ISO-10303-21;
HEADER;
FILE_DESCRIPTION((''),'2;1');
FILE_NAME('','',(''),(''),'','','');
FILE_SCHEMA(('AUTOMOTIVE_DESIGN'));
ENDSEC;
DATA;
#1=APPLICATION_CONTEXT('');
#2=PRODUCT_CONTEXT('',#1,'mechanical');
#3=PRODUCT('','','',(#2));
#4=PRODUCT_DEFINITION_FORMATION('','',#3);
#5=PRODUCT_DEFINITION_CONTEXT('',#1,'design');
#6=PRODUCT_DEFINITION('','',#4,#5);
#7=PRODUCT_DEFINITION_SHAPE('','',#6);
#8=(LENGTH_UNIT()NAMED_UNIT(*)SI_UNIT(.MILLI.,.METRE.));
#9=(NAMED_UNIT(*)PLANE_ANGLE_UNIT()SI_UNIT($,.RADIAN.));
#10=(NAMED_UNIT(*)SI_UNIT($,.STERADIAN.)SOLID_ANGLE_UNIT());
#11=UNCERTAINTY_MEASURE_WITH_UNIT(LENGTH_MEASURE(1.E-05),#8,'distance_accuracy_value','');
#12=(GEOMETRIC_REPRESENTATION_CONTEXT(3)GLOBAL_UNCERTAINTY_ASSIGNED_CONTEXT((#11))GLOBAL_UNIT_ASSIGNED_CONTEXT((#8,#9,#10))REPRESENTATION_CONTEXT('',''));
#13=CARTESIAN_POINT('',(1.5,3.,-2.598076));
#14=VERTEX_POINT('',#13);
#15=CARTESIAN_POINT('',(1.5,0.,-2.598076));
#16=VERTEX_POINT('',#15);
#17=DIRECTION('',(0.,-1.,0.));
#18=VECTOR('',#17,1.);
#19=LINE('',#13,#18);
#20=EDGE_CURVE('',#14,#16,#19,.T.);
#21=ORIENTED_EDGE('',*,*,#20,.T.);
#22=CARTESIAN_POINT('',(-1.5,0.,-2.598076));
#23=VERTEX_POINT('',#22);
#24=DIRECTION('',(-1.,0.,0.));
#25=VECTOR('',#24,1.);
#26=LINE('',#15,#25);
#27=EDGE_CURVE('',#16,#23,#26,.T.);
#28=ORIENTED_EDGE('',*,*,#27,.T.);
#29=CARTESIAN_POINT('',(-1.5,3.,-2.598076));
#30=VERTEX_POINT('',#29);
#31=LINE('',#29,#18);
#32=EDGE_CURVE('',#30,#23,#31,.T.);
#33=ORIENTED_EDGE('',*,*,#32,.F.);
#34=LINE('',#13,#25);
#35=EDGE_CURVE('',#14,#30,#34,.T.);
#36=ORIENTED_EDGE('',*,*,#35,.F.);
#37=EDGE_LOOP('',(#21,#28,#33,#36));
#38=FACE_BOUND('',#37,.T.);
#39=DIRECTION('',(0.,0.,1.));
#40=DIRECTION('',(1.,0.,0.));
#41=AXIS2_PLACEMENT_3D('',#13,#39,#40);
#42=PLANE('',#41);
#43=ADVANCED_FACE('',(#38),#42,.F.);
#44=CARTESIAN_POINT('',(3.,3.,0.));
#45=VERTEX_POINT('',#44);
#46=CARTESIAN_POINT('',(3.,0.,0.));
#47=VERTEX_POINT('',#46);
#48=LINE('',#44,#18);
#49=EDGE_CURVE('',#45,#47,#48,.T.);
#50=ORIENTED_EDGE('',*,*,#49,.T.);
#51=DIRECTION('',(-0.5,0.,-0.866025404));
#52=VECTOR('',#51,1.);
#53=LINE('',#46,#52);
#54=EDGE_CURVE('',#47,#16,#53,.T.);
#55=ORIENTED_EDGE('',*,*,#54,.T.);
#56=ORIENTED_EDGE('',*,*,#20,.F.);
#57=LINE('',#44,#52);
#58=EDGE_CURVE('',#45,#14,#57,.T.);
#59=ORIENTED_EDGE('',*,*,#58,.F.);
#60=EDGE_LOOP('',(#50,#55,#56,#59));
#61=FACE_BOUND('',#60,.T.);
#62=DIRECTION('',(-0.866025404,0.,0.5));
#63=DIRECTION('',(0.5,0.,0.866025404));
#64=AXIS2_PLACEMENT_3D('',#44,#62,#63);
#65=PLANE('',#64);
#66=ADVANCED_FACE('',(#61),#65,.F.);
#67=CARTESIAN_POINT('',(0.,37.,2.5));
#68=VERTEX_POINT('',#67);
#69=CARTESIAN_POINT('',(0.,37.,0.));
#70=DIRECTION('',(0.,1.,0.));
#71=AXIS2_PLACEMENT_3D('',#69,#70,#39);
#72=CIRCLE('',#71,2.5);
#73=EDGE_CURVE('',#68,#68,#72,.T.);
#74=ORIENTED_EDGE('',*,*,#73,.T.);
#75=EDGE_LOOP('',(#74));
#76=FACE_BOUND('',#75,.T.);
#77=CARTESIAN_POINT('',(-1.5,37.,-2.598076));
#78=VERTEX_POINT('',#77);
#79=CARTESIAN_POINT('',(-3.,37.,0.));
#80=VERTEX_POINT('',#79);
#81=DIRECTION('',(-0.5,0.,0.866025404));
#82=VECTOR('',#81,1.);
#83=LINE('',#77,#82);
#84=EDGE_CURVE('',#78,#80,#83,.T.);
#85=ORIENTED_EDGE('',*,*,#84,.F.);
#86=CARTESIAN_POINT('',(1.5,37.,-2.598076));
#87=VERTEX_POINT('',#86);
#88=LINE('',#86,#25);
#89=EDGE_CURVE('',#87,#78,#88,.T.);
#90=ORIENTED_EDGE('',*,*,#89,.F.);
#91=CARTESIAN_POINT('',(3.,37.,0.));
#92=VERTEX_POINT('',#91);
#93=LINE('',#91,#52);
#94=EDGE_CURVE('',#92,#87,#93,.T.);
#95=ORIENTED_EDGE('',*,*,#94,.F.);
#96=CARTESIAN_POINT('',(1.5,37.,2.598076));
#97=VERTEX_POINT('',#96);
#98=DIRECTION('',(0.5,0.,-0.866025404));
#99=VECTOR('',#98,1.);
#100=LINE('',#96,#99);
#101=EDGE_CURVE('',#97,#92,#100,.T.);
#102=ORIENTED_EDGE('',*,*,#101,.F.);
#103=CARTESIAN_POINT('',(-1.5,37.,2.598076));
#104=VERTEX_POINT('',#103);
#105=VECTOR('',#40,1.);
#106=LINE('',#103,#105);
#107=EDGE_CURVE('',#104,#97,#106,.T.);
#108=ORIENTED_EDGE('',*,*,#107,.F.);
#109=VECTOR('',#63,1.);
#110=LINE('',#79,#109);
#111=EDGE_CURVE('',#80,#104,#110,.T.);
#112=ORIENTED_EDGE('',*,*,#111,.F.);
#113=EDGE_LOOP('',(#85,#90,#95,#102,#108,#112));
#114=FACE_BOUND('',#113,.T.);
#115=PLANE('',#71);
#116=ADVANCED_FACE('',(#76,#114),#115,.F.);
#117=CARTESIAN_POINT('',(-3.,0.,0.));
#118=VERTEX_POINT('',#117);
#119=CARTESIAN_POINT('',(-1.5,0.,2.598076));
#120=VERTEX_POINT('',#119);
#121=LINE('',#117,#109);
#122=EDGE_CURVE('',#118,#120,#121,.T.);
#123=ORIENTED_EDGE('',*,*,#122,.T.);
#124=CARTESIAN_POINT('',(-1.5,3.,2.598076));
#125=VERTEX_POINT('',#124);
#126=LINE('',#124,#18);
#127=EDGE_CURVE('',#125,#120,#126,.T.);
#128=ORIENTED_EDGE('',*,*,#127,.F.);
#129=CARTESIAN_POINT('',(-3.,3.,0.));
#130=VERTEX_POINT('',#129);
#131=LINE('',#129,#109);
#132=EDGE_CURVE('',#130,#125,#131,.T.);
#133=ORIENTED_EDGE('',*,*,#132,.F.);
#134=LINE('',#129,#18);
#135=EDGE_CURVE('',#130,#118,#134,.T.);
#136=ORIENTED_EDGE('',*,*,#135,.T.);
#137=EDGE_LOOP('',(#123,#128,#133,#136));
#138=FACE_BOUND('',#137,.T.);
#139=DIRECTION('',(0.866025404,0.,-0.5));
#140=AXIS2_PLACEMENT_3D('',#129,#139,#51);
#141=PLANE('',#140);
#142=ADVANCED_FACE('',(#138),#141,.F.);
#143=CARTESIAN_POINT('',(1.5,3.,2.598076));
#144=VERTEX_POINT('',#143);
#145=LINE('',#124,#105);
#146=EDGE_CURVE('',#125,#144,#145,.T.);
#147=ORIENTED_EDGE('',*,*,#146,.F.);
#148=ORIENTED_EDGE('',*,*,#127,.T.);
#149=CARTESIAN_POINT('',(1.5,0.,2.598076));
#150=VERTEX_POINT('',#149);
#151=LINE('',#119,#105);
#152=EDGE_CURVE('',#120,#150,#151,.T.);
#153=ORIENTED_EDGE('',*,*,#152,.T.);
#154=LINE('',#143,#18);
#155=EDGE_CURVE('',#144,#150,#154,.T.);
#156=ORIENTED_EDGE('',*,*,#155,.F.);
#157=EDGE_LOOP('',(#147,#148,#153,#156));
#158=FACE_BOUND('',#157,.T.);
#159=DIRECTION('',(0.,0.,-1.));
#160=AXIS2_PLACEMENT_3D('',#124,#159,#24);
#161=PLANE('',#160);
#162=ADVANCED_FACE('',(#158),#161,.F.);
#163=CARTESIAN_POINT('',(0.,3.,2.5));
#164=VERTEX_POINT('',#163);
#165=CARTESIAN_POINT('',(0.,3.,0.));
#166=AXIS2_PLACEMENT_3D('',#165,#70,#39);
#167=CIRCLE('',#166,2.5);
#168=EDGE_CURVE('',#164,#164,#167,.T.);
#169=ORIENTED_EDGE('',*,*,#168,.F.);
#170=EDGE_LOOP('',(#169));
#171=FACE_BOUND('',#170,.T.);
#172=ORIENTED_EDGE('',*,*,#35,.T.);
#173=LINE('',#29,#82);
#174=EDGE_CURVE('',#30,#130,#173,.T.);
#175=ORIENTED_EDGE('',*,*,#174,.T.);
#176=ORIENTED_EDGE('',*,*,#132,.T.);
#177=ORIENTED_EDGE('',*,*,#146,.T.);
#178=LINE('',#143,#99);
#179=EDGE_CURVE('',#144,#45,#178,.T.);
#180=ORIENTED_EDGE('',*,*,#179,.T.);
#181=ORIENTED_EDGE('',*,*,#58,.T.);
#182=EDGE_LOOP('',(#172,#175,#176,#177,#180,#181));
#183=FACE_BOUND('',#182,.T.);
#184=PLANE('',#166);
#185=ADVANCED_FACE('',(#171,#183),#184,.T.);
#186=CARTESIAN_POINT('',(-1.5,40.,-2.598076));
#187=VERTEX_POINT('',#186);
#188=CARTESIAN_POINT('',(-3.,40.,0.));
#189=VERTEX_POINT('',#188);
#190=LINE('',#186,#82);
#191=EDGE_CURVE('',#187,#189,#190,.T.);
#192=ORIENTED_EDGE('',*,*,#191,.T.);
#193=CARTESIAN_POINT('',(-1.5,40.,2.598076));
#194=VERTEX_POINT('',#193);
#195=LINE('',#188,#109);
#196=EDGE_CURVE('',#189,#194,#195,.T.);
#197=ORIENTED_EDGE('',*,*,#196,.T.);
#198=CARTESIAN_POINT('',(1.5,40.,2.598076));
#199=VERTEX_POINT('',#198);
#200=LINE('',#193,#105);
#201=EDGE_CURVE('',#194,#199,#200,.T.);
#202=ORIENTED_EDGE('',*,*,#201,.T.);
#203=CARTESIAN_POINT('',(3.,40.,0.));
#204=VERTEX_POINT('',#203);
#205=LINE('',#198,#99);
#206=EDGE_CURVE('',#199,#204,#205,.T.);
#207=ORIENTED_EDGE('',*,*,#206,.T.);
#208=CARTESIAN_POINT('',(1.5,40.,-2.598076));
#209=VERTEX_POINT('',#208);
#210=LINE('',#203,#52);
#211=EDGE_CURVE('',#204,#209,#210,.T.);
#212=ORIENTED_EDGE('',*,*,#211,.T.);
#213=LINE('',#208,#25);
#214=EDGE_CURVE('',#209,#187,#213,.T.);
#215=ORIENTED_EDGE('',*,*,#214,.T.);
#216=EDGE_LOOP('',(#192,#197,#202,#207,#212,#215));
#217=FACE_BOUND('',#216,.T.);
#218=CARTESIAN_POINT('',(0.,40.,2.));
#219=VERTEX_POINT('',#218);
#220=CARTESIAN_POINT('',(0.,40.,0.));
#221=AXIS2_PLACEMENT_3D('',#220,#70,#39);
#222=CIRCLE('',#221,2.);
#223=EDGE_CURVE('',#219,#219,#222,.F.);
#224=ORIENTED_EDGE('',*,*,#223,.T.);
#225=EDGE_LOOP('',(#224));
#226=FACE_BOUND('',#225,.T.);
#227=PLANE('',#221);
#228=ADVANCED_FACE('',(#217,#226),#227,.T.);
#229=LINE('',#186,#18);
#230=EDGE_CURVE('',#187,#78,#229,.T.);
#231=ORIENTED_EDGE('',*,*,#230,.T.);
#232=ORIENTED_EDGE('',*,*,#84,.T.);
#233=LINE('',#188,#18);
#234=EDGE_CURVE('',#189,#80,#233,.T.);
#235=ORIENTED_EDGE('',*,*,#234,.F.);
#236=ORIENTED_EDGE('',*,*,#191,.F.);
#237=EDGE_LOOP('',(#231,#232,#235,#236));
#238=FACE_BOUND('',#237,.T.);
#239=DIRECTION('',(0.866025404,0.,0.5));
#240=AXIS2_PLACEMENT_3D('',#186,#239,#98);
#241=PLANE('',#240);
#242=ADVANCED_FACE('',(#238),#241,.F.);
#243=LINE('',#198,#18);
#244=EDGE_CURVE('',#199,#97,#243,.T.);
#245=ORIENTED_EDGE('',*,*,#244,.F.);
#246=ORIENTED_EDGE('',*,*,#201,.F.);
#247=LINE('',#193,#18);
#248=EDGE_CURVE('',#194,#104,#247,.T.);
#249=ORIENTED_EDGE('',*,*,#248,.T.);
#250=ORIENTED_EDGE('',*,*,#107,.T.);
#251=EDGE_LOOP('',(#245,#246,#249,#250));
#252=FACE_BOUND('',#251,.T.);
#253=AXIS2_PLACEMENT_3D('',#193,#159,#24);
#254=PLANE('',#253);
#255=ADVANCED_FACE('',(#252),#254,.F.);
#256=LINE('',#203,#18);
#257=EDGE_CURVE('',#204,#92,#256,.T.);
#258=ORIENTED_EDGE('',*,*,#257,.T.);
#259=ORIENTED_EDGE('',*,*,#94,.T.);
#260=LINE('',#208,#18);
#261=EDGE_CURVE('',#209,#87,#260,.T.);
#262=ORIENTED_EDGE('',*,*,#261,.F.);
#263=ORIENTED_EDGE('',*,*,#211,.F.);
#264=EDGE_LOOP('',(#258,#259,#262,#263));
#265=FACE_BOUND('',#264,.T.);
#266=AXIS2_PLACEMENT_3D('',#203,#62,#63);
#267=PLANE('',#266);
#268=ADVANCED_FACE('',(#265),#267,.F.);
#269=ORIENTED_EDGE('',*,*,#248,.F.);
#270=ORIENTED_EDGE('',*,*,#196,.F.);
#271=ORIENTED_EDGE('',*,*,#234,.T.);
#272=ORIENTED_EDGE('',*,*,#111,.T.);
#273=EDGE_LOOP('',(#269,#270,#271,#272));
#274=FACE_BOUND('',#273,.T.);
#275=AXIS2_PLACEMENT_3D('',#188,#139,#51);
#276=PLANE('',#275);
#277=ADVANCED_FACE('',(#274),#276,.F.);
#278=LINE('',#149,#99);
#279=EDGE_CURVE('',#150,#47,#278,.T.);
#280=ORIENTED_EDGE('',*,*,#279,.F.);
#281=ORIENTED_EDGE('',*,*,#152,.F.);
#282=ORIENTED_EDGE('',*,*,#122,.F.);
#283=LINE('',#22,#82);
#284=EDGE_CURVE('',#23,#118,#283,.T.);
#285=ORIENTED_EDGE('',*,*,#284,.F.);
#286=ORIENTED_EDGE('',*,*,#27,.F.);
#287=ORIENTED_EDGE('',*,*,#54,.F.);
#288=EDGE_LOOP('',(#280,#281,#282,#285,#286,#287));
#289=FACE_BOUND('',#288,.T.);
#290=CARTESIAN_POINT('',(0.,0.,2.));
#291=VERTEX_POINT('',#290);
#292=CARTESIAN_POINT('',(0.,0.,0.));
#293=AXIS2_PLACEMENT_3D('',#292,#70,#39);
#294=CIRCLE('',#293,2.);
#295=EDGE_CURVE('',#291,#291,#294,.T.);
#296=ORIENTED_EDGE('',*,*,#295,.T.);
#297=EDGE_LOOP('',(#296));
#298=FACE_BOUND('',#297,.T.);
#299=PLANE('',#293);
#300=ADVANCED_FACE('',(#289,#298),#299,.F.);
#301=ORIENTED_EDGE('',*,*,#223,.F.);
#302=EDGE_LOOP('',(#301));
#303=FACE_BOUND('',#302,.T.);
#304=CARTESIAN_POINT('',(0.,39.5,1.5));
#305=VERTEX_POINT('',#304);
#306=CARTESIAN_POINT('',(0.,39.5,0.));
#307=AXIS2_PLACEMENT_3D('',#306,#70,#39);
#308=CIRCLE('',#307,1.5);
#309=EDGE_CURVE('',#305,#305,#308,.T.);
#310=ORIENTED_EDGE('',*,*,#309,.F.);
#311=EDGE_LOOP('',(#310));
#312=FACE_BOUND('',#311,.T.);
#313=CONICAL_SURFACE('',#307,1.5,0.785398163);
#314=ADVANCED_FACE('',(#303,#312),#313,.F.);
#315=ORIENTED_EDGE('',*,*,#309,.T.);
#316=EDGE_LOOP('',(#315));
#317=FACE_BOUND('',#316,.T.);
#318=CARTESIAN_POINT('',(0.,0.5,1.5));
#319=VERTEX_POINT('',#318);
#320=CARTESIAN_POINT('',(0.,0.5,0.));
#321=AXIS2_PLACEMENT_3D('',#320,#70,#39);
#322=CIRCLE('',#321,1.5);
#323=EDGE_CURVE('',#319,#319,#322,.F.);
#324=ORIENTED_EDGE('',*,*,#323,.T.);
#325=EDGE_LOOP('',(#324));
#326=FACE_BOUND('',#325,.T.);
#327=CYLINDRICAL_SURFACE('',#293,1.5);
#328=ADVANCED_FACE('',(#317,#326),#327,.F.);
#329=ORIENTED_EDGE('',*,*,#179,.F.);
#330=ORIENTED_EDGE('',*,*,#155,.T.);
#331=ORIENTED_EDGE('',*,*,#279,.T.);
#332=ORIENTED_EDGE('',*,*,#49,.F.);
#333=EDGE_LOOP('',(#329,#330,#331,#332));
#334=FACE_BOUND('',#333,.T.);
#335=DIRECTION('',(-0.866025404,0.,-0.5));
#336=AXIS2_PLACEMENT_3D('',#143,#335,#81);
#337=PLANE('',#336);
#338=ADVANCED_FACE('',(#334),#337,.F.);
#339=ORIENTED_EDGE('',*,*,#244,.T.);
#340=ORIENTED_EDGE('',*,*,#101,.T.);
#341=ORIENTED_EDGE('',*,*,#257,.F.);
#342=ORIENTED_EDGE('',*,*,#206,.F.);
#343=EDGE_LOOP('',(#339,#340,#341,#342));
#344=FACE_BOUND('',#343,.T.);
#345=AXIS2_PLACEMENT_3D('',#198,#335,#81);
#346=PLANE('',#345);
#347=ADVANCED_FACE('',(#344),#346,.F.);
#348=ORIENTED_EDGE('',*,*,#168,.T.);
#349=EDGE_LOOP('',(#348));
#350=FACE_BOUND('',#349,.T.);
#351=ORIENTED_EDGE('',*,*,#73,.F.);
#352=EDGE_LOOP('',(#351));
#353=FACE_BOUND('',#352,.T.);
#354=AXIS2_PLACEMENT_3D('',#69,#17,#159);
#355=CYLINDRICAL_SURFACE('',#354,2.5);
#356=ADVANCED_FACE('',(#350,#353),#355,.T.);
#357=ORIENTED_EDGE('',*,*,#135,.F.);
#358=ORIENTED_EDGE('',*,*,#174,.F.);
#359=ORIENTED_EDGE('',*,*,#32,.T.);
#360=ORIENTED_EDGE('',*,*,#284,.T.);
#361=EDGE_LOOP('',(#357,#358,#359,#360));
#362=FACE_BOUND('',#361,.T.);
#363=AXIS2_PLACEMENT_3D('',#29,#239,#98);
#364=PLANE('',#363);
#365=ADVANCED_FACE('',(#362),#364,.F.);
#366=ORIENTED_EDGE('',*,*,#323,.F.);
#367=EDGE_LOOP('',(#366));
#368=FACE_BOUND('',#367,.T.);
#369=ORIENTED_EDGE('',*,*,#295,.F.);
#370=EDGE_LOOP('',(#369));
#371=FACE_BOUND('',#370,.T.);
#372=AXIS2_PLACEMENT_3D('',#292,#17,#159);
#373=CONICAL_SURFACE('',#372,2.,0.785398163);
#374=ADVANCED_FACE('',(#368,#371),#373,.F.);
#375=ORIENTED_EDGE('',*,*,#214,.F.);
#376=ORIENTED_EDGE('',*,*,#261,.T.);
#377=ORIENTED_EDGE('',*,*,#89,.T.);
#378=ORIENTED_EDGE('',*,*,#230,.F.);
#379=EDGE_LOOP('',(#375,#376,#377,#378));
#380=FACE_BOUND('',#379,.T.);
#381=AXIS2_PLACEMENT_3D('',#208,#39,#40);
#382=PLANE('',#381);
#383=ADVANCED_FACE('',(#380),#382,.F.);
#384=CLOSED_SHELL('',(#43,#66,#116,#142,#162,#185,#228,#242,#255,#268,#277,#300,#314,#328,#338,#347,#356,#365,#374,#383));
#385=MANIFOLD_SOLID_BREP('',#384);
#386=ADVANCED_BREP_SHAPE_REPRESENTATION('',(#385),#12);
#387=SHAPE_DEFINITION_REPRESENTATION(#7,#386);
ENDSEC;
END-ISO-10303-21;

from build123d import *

# Parameters (mm, degrees)
BOSS_EXTRUDE1_DEPTH = 3
SKETCH2_R           = 2.5
BOSS_EXTRUDE2_DEPTH = 34
BOSS_EXTRUDE3_DEPTH = 3
SKETCH4_R           = 1.5
CUT_EXTRUDE1_DEPTH  = 41
CHAMFER1_SIZE       = 0.5


with BuildPart() as part:
    # Sketch1 → Boss-Extrude1 (new body)
    with BuildSketch(Plane(origin=(0, 0, 0), x_dir=(1, 0, 0), z_dir=(0, 1, 0))):
        Polygon((1.5, -2.598076211), (3, 0), (1.5, 2.598076211), (-1.5, 2.598076211), (-3, 0), (-1.5, -2.598076211), align=None)
    extrude(amount=BOSS_EXTRUDE1_DEPTH)

    # Sketch2 → Boss-Extrude2 (add)
    with BuildSketch(Plane(origin=(0, 3, 0), x_dir=(1, 0, 0), z_dir=(0, 1, 0))):
        Circle(SKETCH2_R)
    extrude(amount=BOSS_EXTRUDE2_DEPTH)

    # Sketch3 → Boss-Extrude3 (add)
    with BuildSketch(Plane(origin=(0, 37, 0), x_dir=(1, 0, 0), z_dir=(0, 1, 0))):
        Polygon((1.5, -2.598076211), (3, 0), (1.5, 2.598076211), (-1.5, 2.598076211), (-3, 0), (-1.5, -2.598076211), align=None)
    extrude(amount=BOSS_EXTRUDE3_DEPTH)

    # Sketch4 → Cut-Extrude1 (cut, through all)
    with BuildSketch(Plane(origin=(0, 40, 0), x_dir=(1, 0, 0), z_dir=(0, 1, 0))):
        Circle(SKETCH4_R)
    extrude(amount=-CUT_EXTRUDE1_DEPTH, mode=Mode.SUBTRACT)

    # Chamfer1
    chamfer1_edges = [part.edges().sort_by_distance(p)[0] for p in [
        (-1.5, 0, 0),
        (-1.5, 40, 0),
    ]]
    chamfer(chamfer1_edges, length=CHAMFER1_SIZE)


solid = part.part
